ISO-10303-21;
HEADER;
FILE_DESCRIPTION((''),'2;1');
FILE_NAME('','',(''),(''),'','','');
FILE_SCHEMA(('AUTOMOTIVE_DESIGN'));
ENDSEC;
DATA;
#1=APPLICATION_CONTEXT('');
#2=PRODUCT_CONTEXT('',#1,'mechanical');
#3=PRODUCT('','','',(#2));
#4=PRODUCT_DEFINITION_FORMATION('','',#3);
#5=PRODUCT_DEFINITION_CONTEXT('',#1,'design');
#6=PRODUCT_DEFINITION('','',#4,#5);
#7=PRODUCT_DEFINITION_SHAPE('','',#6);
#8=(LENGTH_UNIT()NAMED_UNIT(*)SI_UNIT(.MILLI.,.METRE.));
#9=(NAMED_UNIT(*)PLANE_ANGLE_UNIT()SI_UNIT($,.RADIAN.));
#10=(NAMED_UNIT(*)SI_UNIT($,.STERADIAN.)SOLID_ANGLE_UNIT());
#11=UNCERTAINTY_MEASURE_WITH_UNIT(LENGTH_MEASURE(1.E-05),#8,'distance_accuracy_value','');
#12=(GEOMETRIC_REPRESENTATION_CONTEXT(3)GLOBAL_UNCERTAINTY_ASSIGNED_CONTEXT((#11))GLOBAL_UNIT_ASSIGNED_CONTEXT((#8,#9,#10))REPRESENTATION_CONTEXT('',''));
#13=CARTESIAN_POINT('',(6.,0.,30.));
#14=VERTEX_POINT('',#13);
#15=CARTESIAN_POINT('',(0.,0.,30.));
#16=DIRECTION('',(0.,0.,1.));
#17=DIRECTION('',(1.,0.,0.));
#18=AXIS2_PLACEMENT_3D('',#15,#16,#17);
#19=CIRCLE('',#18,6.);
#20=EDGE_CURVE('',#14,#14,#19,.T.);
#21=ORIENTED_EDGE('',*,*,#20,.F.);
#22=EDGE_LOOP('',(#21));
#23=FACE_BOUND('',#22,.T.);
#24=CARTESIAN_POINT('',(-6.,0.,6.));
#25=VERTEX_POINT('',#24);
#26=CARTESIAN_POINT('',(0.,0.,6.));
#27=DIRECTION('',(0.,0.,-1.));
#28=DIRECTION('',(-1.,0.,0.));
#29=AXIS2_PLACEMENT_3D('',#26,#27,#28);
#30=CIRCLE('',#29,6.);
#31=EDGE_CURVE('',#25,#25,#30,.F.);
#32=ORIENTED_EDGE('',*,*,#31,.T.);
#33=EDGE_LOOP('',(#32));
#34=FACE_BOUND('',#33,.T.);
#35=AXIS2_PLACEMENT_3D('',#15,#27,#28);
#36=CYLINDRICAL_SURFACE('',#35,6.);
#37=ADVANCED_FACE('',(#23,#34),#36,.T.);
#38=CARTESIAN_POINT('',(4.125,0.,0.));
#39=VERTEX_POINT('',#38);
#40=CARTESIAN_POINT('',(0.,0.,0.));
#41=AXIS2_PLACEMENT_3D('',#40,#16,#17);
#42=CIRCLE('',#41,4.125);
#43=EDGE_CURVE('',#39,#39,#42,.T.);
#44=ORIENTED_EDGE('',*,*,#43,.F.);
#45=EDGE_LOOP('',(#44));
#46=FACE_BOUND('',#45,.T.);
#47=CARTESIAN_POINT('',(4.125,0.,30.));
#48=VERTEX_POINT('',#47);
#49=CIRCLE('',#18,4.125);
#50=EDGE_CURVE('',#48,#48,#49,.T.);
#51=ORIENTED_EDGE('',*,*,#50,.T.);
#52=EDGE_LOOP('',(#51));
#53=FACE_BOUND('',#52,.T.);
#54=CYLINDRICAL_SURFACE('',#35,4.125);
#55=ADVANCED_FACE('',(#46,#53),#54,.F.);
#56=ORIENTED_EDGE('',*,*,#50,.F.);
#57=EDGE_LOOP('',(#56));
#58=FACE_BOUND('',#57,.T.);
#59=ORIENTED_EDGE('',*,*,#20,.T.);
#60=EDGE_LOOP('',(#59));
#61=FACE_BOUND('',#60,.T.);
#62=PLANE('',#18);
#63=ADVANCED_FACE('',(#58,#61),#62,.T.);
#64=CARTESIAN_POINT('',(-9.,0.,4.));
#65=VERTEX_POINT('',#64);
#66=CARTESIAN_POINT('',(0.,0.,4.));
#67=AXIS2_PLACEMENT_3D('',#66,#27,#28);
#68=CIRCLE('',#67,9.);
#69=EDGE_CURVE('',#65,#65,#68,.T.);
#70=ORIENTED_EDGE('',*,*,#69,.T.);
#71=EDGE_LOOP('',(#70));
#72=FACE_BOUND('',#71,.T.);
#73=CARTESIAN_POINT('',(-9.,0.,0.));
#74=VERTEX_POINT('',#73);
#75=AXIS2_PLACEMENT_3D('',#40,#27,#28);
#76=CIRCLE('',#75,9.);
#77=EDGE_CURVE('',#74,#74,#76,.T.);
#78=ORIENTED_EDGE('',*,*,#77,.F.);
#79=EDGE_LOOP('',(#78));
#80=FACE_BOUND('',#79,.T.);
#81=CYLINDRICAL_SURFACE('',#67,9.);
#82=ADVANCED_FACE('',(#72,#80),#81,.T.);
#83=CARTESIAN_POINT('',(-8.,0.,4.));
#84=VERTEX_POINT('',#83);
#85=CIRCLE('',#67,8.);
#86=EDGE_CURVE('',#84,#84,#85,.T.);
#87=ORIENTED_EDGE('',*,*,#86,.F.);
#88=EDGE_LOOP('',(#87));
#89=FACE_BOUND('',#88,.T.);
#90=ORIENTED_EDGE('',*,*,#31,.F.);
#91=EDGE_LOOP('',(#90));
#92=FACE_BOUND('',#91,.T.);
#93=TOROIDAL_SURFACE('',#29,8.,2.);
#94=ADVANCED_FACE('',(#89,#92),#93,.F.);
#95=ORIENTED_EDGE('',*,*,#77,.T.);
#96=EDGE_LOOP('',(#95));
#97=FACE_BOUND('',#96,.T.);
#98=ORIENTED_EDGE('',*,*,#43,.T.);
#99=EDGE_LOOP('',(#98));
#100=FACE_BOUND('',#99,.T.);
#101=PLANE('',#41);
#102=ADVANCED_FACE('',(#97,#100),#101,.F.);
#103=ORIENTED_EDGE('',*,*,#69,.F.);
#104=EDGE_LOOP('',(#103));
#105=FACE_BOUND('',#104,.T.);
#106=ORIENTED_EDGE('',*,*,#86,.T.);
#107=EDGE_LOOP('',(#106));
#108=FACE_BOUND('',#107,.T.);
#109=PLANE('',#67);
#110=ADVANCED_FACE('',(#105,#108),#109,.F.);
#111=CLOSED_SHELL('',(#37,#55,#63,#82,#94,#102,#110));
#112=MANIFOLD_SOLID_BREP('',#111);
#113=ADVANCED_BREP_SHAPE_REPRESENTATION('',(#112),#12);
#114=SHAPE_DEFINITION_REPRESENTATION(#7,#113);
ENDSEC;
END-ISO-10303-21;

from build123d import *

# Parameters (mm, degrees)
SKETCH1_R           = 6
SKETCH1_R_2         = 4.125
BOSS_EXTRUDE1_DEPTH = 30
SKETCH2_R           = 9
SKETCH2_R_2         = 4.125
BOSS_EXTRUDE2_DEPTH = 4
FILLET1_R           = 2


with BuildPart() as part:
    # Sketch1 → Boss-Extrude1 (new body)
    with BuildSketch(Plane.XY):
        Circle(SKETCH1_R)
        Circle(SKETCH1_R_2, mode=Mode.SUBTRACT)
    extrude(amount=BOSS_EXTRUDE1_DEPTH)

    # Sketch2 → Boss-Extrude2 (add)
    with BuildSketch(Plane(origin=(0, 0, 0), x_dir=(-1, 0, 0), z_dir=(0, 0, -1))):
        Circle(SKETCH2_R)
        with Locations(Location((0, 0, 0), (0, 0, 180))):
            Circle(SKETCH2_R_2, mode=Mode.SUBTRACT)
    extrude(amount=-BOSS_EXTRUDE2_DEPTH)

    # Fillet1
    fillet1_edges = [part.edges().sort_by_distance(p)[0] for p in [
        (-6, 0, 4),
    ]]
    fillet(fillet1_edges, radius=FILLET1_R)


solid = part.part
